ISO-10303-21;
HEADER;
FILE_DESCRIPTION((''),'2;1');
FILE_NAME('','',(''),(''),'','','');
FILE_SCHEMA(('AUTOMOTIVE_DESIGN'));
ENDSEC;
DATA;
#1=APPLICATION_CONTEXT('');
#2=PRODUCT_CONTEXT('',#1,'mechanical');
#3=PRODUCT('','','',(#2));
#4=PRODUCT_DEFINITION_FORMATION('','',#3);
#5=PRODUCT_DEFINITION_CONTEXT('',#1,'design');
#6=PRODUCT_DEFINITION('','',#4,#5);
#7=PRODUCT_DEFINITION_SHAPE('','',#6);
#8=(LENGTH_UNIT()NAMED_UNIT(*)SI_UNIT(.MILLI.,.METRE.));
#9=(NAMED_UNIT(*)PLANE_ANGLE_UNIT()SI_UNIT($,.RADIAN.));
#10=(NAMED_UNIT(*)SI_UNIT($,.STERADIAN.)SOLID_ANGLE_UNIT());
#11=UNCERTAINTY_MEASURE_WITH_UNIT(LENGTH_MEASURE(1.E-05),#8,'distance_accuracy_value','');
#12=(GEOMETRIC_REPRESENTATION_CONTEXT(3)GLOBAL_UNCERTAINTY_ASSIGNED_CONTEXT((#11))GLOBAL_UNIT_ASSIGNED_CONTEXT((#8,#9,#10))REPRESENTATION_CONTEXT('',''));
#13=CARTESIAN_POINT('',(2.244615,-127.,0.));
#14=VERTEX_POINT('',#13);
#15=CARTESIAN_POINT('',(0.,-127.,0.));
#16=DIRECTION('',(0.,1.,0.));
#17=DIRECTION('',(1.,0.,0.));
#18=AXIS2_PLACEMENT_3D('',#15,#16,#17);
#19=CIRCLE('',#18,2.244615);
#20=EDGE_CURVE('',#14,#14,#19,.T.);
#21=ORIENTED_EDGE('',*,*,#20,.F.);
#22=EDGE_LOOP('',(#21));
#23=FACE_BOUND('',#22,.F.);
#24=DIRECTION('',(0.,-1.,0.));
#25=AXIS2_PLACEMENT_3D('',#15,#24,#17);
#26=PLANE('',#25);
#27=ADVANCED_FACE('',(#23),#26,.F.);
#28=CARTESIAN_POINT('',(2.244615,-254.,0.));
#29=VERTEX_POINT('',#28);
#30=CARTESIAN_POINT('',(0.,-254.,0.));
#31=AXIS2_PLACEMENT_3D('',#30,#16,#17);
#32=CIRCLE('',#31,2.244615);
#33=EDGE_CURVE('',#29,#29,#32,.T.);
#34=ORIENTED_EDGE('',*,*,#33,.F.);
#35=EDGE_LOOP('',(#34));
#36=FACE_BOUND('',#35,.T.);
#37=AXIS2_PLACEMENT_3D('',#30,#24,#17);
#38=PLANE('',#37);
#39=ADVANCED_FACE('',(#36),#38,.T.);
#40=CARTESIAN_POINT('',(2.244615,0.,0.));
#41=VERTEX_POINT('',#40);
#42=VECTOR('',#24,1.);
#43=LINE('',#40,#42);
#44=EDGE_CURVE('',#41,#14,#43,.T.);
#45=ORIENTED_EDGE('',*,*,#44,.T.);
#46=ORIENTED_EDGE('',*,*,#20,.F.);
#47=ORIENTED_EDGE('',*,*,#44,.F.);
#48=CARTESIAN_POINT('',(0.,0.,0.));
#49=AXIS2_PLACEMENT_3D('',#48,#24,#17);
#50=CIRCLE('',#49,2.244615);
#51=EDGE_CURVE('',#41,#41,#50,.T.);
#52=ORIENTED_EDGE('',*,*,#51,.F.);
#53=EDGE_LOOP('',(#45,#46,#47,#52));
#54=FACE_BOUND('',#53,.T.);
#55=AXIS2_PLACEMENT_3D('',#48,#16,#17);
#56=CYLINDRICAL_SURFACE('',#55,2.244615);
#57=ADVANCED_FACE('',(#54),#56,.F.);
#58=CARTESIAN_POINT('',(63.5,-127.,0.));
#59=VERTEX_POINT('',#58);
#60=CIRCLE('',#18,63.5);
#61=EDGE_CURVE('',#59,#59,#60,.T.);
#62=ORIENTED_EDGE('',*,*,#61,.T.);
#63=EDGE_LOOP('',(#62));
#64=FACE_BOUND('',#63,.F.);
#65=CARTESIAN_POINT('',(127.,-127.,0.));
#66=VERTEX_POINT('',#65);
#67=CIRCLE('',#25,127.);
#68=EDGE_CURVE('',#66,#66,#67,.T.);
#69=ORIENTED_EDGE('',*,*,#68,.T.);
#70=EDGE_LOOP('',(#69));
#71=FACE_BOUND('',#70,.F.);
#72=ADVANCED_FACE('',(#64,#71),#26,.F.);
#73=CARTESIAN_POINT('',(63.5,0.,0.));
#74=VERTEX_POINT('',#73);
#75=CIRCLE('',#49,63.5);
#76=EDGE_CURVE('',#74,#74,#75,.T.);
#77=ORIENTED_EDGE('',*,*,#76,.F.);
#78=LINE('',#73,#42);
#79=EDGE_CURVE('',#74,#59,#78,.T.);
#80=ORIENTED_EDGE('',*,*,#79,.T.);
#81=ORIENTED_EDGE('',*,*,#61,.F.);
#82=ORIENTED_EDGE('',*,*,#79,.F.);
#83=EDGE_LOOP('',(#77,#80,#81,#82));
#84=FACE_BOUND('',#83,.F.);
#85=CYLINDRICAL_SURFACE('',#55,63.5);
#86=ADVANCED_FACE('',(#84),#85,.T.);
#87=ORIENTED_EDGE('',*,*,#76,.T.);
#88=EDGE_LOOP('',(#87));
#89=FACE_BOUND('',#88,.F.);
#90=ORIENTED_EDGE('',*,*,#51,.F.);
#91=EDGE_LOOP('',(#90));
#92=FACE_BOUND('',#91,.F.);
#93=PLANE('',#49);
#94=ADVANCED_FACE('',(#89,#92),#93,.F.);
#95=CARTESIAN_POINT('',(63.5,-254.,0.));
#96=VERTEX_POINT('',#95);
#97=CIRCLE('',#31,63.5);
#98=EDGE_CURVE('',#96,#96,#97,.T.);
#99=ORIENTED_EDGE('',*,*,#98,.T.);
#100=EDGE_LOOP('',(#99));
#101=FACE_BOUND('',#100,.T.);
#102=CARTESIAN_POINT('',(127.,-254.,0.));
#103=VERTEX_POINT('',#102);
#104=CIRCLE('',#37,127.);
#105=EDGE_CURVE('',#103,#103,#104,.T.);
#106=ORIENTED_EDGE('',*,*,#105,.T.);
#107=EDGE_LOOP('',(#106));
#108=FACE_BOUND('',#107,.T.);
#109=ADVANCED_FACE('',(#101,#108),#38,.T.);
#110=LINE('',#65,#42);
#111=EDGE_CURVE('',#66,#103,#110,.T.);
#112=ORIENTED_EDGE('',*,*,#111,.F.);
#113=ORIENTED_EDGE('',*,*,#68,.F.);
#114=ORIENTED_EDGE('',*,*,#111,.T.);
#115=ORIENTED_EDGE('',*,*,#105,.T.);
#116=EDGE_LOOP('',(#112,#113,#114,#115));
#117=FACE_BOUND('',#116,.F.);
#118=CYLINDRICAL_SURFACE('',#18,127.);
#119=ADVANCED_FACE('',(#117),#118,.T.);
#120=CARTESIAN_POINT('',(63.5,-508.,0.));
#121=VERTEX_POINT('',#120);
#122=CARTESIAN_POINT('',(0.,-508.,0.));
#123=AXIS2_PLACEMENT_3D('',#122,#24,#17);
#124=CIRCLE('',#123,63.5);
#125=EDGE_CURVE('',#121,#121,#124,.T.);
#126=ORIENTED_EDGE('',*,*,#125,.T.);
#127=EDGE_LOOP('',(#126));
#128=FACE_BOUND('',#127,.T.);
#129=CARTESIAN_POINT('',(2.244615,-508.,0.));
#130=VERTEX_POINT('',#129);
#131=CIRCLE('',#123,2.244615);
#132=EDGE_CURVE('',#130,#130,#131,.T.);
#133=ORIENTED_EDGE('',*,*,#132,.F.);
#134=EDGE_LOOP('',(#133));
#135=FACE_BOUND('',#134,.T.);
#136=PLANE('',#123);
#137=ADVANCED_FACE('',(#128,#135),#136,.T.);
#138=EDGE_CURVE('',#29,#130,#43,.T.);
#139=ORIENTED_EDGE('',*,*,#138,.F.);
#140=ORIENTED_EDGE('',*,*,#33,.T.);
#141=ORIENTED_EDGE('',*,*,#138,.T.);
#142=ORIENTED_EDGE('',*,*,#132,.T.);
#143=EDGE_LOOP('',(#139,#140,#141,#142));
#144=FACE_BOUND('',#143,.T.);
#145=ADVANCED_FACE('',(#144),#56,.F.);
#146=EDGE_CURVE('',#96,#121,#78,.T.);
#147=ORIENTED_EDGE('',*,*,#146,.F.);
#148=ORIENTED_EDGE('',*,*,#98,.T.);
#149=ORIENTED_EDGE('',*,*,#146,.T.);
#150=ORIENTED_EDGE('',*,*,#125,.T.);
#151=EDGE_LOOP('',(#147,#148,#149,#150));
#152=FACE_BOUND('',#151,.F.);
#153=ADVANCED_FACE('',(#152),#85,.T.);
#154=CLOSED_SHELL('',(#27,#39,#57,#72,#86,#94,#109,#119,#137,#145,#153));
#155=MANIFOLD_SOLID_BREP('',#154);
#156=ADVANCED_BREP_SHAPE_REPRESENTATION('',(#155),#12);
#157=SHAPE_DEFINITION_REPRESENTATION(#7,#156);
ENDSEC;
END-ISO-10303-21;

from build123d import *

# Parameters (mm, degrees)
F0_R     = 63.5
F0_R_2   = 2.244615
F1_DEPTH = 508
F3_R     = 127
F4_DEPTH = 127


with BuildPart() as f1:
    # F0 (on Front) → F1 (new body)
    with BuildSketch(Plane.XZ):
        Circle(F0_R)
        Circle(F0_R_2, mode=Mode.SUBTRACT)
    extrude(amount=F1_DEPTH)

    # F3 (on offset) → F4 (join)
    with BuildSketch(Plane.XZ.offset(127)):
        Circle(F3_R)
    extrude(amount=F4_DEPTH)


solid = f1.part
